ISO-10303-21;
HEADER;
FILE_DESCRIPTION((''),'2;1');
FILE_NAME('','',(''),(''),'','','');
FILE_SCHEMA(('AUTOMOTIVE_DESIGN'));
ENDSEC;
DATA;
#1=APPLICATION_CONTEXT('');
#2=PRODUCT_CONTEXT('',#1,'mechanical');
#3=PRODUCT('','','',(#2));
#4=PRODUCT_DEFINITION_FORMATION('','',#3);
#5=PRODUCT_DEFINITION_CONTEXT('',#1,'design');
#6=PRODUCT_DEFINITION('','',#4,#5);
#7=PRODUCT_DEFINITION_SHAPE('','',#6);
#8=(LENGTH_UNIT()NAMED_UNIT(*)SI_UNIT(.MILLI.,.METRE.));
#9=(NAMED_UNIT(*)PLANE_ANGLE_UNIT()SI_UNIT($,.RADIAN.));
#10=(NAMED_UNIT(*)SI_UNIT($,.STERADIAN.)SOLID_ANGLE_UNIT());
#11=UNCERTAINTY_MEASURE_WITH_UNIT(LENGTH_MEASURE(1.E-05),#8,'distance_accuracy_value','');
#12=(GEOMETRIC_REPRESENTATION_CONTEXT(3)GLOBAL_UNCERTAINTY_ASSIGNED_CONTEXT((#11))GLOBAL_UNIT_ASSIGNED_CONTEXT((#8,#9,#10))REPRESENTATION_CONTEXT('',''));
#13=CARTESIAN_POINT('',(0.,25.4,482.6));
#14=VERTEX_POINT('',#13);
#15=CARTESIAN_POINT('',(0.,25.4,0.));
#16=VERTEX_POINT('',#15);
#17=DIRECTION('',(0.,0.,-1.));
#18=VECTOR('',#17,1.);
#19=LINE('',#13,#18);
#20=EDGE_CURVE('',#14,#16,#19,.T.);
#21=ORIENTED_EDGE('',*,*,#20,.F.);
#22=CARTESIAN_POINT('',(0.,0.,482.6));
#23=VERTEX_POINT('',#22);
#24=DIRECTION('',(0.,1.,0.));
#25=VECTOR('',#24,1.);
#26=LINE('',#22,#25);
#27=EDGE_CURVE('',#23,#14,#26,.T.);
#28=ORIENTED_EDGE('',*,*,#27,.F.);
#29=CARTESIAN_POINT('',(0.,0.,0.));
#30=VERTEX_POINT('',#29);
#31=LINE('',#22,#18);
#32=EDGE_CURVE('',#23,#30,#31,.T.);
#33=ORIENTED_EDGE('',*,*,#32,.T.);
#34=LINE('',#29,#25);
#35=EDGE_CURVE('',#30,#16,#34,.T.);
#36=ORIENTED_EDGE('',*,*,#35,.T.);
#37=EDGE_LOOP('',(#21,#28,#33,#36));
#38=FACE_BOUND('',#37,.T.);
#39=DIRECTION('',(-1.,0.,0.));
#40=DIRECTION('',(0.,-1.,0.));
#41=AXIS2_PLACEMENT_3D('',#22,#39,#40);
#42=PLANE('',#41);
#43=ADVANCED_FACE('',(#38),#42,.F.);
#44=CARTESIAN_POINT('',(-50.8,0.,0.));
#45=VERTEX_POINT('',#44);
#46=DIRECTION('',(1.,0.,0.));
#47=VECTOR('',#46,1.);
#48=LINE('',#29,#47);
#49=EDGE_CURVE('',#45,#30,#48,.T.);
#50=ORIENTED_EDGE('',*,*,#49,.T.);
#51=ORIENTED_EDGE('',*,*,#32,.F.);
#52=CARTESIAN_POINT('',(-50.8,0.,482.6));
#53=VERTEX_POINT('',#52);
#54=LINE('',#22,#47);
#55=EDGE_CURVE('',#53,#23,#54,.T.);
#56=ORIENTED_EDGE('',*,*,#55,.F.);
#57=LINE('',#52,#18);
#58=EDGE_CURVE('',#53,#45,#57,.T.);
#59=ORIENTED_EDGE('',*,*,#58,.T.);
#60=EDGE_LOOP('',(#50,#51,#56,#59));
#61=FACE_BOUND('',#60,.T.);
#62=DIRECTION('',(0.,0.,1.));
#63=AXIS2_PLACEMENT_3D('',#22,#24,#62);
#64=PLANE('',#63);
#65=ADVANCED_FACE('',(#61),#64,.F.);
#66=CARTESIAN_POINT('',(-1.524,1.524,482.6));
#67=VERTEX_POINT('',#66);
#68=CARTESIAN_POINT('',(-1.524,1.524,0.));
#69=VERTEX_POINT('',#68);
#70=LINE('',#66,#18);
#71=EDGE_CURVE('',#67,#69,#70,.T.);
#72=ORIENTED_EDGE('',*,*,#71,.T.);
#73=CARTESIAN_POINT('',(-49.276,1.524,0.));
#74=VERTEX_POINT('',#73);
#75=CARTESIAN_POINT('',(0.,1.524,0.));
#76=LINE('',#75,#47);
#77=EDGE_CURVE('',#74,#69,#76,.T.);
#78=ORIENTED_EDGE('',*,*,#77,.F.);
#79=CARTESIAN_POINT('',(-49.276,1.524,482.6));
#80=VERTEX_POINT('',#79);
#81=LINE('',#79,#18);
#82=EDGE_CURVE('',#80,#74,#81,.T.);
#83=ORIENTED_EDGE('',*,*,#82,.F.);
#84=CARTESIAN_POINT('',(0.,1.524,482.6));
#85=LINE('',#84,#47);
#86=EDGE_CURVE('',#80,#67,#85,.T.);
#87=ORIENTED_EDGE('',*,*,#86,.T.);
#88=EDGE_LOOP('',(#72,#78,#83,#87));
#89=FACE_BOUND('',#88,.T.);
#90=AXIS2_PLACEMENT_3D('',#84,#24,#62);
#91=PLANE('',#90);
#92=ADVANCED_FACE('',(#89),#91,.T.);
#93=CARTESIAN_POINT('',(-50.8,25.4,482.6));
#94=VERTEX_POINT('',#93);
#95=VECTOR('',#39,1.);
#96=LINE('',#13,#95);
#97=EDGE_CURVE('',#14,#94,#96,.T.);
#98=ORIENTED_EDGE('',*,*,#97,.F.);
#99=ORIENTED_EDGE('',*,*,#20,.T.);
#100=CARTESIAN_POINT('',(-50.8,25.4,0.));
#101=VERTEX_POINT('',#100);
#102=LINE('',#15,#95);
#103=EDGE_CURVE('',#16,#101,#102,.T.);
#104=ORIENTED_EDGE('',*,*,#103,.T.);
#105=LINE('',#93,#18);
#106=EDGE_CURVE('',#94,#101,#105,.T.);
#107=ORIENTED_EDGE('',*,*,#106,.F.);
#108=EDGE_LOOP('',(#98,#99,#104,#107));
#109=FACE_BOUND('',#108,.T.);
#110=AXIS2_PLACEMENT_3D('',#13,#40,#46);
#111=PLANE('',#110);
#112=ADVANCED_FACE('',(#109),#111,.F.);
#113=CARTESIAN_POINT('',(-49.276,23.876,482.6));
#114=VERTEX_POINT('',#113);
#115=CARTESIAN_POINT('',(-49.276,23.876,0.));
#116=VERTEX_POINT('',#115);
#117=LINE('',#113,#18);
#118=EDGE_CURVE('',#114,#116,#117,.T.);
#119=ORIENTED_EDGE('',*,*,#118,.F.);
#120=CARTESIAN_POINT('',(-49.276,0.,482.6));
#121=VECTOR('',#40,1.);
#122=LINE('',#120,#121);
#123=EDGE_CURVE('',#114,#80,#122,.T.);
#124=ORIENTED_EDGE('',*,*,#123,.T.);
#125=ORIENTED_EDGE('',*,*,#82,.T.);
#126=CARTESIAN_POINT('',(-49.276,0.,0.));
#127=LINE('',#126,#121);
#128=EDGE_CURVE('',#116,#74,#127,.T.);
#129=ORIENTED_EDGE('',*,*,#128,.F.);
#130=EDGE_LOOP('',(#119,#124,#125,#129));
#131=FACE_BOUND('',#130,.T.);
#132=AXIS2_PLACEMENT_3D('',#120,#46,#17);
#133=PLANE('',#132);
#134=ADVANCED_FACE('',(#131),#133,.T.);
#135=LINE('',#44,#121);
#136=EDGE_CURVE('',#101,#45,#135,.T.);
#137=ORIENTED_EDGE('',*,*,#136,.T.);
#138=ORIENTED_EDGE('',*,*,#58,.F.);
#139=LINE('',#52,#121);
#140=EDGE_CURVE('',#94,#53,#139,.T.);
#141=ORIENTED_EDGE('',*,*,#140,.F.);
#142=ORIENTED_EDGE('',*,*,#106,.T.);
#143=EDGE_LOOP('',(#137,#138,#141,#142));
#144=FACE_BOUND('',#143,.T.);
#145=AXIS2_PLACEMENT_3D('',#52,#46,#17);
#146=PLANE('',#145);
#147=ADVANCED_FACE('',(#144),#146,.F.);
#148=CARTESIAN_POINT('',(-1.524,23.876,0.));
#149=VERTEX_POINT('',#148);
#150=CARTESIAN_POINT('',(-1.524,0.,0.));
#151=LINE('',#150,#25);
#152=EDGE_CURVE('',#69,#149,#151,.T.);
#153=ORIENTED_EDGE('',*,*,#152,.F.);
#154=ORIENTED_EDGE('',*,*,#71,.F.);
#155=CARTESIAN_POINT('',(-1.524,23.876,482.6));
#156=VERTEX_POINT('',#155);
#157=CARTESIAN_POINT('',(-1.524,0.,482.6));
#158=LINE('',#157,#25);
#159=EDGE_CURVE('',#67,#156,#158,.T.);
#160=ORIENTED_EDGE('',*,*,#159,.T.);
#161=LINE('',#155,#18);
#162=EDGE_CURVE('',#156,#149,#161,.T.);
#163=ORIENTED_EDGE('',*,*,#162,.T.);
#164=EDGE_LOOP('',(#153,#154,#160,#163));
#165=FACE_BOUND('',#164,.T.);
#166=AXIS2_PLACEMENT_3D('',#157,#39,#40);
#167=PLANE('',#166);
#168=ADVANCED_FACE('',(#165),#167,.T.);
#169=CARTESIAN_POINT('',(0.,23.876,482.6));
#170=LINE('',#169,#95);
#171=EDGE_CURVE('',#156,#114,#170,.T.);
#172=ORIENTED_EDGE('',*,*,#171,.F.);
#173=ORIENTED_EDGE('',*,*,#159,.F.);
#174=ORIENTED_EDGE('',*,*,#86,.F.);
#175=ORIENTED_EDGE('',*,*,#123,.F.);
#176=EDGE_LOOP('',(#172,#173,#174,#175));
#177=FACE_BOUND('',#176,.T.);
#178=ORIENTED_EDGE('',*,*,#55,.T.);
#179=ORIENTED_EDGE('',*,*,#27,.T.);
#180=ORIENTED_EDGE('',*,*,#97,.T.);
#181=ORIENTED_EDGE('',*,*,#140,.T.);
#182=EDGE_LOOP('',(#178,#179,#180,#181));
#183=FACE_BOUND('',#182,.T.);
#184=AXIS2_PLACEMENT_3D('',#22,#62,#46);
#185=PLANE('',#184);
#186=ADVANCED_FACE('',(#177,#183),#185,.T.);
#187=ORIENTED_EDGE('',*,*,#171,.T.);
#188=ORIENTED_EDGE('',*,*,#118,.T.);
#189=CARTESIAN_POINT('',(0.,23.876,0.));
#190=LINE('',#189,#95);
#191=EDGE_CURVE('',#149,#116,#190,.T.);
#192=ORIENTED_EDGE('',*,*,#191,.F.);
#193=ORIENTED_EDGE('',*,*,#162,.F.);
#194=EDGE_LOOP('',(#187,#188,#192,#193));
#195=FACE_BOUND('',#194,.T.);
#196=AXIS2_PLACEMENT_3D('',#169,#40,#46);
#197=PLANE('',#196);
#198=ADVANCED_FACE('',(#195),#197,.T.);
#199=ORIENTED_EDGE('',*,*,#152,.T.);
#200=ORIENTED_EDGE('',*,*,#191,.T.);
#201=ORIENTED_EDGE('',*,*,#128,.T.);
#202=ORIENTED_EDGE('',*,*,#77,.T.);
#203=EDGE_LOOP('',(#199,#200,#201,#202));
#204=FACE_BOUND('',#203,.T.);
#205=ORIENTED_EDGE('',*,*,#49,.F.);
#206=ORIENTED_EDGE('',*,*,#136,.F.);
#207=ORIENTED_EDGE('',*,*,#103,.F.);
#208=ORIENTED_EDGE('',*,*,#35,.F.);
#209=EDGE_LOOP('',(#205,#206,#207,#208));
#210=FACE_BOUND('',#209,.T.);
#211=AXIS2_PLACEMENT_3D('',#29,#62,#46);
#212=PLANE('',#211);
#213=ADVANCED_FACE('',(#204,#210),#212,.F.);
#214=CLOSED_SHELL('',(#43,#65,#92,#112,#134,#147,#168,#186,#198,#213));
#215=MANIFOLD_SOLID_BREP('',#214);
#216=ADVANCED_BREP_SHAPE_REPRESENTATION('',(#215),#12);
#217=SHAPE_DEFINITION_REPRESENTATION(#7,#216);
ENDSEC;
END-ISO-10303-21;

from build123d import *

# Parameters (mm, degrees)
SKETCH1_W           = 50.8
SKETCH1_H           = 25.4
SKETCH1_W_2         = 47.752
SKETCH1_H_2         = 22.352
EXTRUDE_THIN1_DEPTH = 482.6


with BuildPart() as part:
    # Sketch1 → Extrude-Thin1 (new body)
    with BuildSketch(Plane.XY):
        with Locations((-25.4, 12.7)):
            Rectangle(SKETCH1_W, SKETCH1_H)
        with Locations((-25.4, 12.7)):
            Rectangle(SKETCH1_W_2, SKETCH1_H_2, mode=Mode.SUBTRACT)
    extrude(amount=EXTRUDE_THIN1_DEPTH)


solid = part.part
